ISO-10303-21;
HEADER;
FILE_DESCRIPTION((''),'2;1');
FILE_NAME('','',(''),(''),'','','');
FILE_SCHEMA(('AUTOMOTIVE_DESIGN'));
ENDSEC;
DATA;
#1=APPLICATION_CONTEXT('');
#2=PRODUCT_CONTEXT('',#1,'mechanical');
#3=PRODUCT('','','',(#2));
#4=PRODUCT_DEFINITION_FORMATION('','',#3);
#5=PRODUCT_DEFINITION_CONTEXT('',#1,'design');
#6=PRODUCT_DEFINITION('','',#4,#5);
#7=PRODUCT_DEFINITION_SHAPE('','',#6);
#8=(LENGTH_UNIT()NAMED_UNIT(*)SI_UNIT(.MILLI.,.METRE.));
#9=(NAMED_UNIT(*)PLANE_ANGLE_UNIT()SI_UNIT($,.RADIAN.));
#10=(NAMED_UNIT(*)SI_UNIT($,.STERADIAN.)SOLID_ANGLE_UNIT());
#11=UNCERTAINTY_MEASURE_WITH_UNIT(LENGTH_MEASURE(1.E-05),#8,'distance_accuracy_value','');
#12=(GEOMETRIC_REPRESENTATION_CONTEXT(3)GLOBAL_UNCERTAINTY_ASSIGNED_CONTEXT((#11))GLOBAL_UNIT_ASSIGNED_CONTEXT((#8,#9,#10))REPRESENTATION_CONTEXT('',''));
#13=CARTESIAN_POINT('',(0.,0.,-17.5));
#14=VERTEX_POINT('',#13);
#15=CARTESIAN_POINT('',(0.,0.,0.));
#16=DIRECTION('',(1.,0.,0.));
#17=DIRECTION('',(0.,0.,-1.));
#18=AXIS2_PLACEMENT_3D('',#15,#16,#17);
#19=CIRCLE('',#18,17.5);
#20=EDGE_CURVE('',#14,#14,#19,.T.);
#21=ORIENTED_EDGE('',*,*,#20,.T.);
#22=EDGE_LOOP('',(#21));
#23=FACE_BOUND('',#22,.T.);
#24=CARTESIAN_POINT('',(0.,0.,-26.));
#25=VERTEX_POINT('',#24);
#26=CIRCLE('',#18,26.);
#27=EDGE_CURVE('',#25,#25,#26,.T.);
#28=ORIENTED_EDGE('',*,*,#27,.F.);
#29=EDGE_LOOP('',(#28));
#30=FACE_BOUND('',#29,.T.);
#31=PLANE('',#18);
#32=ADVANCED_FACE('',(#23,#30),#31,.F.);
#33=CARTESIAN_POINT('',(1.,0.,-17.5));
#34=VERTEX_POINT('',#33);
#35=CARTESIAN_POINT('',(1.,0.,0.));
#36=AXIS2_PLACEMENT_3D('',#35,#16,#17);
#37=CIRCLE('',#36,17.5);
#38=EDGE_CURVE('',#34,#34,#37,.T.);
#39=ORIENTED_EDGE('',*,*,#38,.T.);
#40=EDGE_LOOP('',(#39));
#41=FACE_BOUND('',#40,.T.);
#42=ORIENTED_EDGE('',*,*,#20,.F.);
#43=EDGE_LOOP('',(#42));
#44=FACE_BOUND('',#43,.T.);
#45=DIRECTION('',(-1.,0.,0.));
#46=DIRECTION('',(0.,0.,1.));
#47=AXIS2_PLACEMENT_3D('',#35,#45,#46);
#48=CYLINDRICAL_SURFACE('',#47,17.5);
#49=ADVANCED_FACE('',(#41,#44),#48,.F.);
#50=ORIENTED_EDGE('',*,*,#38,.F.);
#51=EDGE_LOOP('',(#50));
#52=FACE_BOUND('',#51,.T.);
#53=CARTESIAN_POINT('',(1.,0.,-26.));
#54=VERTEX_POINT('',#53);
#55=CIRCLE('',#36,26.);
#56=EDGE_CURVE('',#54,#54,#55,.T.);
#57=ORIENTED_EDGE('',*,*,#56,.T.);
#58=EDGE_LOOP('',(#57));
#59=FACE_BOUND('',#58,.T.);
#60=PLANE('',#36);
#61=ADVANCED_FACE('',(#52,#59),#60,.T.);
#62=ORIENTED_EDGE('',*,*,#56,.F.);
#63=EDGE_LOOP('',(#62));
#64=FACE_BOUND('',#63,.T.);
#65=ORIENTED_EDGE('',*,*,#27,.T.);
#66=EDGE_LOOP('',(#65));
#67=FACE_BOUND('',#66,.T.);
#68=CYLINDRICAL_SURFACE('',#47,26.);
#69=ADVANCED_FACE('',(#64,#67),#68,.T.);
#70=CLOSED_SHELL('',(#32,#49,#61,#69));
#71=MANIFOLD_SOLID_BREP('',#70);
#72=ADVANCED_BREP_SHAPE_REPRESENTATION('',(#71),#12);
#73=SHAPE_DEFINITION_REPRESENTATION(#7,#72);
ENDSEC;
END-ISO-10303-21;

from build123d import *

# Parameters (mm, degrees)
SKETCH1_R      = 26
SKETCH1_R_2    = 17.5
EXTRUDE1_DEPTH = 1


with BuildPart() as part:
    # Sketch1 → Extrude1 (new body)
    with BuildSketch(Plane(origin=(0, 0, 0), x_dir=(0, 0, -1), z_dir=(1, 0, 0))):
        Circle(SKETCH1_R)
        Circle(SKETCH1_R_2, mode=Mode.SUBTRACT)
    extrude(amount=EXTRUDE1_DEPTH)


solid = part.part
